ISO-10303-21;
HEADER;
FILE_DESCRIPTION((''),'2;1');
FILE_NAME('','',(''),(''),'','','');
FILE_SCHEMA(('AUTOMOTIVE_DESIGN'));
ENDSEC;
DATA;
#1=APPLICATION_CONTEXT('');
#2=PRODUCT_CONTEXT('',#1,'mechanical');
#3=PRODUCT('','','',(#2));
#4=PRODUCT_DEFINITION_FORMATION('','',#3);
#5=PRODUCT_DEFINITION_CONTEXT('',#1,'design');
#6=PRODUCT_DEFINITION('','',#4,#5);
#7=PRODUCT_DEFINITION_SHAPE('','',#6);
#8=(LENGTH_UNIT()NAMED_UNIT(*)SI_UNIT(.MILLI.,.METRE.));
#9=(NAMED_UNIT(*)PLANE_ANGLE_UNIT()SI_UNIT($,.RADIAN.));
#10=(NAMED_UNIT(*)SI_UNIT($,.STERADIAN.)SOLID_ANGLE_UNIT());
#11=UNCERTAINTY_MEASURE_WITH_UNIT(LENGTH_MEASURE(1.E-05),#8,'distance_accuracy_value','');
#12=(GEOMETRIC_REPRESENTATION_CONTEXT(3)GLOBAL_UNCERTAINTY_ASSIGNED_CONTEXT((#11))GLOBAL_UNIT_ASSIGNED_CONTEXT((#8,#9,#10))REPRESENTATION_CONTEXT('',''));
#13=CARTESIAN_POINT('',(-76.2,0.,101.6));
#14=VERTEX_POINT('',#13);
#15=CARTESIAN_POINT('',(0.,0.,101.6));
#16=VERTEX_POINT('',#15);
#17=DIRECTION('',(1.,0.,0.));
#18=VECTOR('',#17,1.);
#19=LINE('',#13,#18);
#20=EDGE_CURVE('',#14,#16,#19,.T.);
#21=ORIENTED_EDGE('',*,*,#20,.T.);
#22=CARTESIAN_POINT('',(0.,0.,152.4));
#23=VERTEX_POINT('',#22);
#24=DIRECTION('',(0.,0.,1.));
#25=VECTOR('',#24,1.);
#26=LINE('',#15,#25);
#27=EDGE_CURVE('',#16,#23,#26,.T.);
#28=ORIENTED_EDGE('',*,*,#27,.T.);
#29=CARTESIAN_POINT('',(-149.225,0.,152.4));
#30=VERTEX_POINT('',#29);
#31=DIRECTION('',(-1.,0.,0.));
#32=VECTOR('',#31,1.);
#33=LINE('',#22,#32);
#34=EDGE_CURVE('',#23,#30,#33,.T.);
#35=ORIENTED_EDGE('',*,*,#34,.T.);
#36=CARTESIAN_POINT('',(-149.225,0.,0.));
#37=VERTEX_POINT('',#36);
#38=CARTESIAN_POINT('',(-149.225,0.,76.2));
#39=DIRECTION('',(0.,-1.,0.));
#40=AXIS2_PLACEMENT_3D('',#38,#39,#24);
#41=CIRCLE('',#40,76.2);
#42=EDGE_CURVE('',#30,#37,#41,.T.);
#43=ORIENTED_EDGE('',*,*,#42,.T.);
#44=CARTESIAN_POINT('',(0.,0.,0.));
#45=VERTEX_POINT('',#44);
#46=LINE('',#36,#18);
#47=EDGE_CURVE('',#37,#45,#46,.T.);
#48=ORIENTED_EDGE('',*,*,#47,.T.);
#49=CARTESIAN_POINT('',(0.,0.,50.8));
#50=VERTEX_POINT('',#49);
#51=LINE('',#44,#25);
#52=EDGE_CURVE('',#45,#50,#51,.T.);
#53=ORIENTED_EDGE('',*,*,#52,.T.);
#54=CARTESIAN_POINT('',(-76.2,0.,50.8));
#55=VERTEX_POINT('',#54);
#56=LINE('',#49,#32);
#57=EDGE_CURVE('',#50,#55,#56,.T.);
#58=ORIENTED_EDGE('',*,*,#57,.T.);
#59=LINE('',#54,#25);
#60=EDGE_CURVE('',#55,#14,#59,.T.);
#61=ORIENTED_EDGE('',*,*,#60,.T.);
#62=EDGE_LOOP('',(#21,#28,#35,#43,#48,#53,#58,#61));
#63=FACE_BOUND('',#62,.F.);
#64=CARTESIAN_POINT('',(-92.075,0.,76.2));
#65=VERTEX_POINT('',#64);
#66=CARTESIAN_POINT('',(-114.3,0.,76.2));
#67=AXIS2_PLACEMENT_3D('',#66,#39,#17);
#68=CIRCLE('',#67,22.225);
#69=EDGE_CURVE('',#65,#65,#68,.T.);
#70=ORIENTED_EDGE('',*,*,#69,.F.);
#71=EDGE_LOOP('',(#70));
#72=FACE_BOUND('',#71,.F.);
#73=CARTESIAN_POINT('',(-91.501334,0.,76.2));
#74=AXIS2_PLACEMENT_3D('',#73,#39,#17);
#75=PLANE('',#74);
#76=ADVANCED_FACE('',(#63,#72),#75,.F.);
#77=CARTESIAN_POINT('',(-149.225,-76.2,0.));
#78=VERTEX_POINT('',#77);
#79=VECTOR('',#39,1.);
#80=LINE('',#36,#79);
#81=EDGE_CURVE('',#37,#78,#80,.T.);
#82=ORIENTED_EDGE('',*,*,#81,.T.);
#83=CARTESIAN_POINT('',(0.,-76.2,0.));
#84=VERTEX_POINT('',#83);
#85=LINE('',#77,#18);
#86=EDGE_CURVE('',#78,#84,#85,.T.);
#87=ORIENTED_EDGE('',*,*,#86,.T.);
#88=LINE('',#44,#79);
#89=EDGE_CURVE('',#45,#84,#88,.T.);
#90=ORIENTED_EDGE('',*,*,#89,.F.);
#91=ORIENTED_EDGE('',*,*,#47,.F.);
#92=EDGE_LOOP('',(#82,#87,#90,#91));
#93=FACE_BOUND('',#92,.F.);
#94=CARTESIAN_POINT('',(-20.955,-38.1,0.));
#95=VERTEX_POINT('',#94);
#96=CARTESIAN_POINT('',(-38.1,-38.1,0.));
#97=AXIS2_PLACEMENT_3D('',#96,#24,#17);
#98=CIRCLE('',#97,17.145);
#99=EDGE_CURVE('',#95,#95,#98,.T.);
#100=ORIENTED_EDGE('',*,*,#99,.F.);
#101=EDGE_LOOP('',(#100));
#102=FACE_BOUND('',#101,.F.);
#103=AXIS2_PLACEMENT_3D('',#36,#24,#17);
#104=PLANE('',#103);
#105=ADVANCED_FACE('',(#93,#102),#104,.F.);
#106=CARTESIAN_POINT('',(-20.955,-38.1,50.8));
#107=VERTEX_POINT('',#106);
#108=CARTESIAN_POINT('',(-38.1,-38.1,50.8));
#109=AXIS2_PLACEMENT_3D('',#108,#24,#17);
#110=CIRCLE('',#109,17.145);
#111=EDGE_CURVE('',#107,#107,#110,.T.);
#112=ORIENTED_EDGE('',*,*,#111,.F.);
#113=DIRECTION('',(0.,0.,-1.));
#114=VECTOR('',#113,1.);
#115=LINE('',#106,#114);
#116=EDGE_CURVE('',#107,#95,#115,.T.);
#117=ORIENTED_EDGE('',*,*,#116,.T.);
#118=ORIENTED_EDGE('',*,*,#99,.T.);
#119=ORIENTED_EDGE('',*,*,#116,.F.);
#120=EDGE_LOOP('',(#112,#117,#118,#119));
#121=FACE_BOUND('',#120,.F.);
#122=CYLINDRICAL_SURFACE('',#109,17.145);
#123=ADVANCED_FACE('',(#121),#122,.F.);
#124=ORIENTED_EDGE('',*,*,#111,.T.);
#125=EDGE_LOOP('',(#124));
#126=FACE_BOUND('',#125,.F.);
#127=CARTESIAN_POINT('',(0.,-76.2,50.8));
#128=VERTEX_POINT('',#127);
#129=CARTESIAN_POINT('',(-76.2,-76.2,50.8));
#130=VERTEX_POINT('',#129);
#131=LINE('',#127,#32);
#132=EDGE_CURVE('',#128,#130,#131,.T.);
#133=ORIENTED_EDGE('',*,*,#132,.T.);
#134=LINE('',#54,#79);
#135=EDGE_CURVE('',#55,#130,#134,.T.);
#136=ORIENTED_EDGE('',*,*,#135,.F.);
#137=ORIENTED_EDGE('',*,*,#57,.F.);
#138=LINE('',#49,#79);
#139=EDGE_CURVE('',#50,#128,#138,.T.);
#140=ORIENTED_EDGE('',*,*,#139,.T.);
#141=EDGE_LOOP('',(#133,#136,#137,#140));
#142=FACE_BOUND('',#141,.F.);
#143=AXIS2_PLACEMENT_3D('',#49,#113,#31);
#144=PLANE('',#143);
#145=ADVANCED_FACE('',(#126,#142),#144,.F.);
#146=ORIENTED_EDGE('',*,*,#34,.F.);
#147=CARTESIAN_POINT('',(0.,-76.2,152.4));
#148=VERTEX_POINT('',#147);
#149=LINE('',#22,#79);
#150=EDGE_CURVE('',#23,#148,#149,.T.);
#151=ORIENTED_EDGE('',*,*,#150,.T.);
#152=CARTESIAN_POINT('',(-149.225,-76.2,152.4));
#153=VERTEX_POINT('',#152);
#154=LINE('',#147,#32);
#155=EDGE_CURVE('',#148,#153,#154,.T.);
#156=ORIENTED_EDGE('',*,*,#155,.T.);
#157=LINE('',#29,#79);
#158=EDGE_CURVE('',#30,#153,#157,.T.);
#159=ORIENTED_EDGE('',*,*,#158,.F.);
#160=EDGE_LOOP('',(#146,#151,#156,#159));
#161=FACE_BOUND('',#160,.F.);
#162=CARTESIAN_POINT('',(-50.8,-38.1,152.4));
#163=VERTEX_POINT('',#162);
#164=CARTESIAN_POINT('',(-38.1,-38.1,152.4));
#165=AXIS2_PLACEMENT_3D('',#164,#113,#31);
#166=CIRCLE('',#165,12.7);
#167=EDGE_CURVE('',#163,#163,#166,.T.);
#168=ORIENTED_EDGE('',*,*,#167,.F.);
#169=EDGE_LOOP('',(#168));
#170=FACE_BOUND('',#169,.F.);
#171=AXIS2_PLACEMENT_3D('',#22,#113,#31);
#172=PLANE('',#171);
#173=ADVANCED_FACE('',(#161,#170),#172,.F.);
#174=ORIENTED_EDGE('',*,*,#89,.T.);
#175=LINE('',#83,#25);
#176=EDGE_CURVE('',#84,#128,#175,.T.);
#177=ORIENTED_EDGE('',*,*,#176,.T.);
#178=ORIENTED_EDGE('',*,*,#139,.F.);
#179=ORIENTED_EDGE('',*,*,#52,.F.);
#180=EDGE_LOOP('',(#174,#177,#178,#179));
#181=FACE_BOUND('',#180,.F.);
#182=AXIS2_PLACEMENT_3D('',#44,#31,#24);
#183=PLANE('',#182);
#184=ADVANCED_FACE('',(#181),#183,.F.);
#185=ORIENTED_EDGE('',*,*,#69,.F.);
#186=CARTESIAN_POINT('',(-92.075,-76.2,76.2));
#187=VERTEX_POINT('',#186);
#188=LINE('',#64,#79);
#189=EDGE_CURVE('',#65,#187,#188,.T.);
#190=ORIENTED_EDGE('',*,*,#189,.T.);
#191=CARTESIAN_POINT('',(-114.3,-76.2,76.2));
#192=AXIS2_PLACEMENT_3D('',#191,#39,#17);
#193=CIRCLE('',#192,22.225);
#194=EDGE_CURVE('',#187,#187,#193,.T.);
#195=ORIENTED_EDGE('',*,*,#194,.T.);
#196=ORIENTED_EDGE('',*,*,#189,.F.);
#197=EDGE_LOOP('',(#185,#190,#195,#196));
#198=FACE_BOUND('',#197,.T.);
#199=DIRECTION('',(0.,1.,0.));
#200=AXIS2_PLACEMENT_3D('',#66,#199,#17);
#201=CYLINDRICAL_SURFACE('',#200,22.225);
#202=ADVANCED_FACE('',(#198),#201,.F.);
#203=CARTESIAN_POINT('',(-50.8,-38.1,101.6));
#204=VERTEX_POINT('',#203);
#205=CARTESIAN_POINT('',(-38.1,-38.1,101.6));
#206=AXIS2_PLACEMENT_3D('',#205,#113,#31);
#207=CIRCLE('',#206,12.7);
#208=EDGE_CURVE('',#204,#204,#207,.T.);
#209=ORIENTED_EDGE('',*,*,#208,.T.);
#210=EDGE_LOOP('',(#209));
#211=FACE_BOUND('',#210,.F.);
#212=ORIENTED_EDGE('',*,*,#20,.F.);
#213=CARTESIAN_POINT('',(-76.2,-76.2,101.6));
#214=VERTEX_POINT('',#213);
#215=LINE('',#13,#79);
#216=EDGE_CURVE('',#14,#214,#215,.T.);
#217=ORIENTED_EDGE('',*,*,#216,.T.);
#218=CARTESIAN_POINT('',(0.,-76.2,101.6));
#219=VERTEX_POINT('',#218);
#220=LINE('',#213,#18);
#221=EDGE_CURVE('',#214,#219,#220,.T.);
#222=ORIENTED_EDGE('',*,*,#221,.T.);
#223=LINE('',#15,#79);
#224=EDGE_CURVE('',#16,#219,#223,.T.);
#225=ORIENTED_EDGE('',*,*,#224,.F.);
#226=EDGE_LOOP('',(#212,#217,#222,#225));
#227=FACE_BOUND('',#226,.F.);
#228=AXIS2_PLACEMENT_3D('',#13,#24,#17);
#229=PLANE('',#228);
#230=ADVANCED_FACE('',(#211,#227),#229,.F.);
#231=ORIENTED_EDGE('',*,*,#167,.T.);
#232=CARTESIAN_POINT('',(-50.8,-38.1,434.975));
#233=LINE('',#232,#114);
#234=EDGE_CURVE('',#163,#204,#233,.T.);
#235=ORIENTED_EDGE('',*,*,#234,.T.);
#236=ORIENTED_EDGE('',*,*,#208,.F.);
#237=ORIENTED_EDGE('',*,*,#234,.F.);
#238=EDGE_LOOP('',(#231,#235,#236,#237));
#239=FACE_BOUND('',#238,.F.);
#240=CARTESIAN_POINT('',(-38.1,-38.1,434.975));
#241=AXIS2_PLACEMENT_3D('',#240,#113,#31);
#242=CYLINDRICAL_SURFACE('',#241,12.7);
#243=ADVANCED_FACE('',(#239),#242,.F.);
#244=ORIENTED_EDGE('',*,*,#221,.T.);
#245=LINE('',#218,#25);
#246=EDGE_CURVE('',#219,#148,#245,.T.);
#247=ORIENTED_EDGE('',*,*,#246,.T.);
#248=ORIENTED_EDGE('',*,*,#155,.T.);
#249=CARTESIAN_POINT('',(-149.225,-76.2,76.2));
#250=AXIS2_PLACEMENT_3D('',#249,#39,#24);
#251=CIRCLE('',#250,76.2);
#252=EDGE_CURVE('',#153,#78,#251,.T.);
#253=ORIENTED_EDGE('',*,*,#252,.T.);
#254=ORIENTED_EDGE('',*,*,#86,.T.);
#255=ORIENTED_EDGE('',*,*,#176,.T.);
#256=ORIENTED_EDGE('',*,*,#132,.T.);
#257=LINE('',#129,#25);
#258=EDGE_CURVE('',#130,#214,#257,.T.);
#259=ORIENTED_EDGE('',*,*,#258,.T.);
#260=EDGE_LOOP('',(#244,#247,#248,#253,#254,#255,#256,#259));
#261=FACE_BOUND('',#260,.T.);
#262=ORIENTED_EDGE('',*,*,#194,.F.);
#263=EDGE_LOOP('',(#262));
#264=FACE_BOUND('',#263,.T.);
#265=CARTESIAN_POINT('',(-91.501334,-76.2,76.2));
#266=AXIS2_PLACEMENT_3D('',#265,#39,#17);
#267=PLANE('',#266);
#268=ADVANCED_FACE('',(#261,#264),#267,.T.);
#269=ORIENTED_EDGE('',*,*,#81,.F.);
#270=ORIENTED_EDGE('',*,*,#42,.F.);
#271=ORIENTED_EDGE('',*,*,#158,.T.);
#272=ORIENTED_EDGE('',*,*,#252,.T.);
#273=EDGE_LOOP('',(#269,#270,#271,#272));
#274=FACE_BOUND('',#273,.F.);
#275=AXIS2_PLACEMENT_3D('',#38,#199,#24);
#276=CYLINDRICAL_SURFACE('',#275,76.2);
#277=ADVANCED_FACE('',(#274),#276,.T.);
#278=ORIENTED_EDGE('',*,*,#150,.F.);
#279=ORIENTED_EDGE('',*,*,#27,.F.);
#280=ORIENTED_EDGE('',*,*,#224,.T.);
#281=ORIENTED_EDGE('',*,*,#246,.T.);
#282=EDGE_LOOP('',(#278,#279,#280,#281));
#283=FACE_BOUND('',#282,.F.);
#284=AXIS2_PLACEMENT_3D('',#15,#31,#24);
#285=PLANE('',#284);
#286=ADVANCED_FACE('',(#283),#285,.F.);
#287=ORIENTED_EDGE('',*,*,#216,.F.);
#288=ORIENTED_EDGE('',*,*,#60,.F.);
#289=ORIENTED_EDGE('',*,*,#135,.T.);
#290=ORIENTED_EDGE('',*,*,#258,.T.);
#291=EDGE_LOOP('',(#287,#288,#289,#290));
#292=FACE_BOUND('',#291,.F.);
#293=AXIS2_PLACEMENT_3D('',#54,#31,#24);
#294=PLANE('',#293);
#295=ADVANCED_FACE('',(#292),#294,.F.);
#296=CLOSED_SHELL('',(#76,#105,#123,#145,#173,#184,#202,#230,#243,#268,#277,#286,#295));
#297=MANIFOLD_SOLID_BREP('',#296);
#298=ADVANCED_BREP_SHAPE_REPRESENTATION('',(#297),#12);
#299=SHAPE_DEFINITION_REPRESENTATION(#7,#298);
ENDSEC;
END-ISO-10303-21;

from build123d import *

# Parameters (mm, degrees)
F0_R     = 22.225
F1_DEPTH = 76.2
F4_D     = 34.29
F4_DEPTH = 50.801
F6_D     = 25.4


with BuildPart() as f1:
    # F0 (on Front) → F1 (new body)
    with BuildSketch(Plane.XZ):
        with BuildLine():
            Line((-149.225, 0), (0, 0))
            Line((0, 0), (0, 50.8))
            Line((0, 50.8), (-76.2, 50.8))
            Line((-76.2, 50.8), (-76.2, 101.6))
            Line((-76.2, 101.6), (0, 101.6))
            Line((0, 101.6), (0, 152.4))
            Line((0, 152.4), (-149.225, 152.4))
            ThreePointArc((-149.225, 152.4), (-225.425, 76.2), (-149.225, 0))
        make_face()
        with Locations((-114.3, 76.2)):
            Circle(F0_R, mode=Mode.SUBTRACT)
    extrude(amount=F1_DEPTH)

    # F4 (through all, one way)
    with BuildSketch(Plane.XY.offset(50.8)):
        with Locations((-38.1, -38.1)):
            Circle(F4_D / 2)
    extrude(amount=-F4_DEPTH, mode=Mode.SUBTRACT)

    # F6 (through all)
    with Locations(Plane.XY.offset(152.4)):
        with Locations((-38.1, -38.1)):
            Hole(F6_D / 2)


solid = f1.part
